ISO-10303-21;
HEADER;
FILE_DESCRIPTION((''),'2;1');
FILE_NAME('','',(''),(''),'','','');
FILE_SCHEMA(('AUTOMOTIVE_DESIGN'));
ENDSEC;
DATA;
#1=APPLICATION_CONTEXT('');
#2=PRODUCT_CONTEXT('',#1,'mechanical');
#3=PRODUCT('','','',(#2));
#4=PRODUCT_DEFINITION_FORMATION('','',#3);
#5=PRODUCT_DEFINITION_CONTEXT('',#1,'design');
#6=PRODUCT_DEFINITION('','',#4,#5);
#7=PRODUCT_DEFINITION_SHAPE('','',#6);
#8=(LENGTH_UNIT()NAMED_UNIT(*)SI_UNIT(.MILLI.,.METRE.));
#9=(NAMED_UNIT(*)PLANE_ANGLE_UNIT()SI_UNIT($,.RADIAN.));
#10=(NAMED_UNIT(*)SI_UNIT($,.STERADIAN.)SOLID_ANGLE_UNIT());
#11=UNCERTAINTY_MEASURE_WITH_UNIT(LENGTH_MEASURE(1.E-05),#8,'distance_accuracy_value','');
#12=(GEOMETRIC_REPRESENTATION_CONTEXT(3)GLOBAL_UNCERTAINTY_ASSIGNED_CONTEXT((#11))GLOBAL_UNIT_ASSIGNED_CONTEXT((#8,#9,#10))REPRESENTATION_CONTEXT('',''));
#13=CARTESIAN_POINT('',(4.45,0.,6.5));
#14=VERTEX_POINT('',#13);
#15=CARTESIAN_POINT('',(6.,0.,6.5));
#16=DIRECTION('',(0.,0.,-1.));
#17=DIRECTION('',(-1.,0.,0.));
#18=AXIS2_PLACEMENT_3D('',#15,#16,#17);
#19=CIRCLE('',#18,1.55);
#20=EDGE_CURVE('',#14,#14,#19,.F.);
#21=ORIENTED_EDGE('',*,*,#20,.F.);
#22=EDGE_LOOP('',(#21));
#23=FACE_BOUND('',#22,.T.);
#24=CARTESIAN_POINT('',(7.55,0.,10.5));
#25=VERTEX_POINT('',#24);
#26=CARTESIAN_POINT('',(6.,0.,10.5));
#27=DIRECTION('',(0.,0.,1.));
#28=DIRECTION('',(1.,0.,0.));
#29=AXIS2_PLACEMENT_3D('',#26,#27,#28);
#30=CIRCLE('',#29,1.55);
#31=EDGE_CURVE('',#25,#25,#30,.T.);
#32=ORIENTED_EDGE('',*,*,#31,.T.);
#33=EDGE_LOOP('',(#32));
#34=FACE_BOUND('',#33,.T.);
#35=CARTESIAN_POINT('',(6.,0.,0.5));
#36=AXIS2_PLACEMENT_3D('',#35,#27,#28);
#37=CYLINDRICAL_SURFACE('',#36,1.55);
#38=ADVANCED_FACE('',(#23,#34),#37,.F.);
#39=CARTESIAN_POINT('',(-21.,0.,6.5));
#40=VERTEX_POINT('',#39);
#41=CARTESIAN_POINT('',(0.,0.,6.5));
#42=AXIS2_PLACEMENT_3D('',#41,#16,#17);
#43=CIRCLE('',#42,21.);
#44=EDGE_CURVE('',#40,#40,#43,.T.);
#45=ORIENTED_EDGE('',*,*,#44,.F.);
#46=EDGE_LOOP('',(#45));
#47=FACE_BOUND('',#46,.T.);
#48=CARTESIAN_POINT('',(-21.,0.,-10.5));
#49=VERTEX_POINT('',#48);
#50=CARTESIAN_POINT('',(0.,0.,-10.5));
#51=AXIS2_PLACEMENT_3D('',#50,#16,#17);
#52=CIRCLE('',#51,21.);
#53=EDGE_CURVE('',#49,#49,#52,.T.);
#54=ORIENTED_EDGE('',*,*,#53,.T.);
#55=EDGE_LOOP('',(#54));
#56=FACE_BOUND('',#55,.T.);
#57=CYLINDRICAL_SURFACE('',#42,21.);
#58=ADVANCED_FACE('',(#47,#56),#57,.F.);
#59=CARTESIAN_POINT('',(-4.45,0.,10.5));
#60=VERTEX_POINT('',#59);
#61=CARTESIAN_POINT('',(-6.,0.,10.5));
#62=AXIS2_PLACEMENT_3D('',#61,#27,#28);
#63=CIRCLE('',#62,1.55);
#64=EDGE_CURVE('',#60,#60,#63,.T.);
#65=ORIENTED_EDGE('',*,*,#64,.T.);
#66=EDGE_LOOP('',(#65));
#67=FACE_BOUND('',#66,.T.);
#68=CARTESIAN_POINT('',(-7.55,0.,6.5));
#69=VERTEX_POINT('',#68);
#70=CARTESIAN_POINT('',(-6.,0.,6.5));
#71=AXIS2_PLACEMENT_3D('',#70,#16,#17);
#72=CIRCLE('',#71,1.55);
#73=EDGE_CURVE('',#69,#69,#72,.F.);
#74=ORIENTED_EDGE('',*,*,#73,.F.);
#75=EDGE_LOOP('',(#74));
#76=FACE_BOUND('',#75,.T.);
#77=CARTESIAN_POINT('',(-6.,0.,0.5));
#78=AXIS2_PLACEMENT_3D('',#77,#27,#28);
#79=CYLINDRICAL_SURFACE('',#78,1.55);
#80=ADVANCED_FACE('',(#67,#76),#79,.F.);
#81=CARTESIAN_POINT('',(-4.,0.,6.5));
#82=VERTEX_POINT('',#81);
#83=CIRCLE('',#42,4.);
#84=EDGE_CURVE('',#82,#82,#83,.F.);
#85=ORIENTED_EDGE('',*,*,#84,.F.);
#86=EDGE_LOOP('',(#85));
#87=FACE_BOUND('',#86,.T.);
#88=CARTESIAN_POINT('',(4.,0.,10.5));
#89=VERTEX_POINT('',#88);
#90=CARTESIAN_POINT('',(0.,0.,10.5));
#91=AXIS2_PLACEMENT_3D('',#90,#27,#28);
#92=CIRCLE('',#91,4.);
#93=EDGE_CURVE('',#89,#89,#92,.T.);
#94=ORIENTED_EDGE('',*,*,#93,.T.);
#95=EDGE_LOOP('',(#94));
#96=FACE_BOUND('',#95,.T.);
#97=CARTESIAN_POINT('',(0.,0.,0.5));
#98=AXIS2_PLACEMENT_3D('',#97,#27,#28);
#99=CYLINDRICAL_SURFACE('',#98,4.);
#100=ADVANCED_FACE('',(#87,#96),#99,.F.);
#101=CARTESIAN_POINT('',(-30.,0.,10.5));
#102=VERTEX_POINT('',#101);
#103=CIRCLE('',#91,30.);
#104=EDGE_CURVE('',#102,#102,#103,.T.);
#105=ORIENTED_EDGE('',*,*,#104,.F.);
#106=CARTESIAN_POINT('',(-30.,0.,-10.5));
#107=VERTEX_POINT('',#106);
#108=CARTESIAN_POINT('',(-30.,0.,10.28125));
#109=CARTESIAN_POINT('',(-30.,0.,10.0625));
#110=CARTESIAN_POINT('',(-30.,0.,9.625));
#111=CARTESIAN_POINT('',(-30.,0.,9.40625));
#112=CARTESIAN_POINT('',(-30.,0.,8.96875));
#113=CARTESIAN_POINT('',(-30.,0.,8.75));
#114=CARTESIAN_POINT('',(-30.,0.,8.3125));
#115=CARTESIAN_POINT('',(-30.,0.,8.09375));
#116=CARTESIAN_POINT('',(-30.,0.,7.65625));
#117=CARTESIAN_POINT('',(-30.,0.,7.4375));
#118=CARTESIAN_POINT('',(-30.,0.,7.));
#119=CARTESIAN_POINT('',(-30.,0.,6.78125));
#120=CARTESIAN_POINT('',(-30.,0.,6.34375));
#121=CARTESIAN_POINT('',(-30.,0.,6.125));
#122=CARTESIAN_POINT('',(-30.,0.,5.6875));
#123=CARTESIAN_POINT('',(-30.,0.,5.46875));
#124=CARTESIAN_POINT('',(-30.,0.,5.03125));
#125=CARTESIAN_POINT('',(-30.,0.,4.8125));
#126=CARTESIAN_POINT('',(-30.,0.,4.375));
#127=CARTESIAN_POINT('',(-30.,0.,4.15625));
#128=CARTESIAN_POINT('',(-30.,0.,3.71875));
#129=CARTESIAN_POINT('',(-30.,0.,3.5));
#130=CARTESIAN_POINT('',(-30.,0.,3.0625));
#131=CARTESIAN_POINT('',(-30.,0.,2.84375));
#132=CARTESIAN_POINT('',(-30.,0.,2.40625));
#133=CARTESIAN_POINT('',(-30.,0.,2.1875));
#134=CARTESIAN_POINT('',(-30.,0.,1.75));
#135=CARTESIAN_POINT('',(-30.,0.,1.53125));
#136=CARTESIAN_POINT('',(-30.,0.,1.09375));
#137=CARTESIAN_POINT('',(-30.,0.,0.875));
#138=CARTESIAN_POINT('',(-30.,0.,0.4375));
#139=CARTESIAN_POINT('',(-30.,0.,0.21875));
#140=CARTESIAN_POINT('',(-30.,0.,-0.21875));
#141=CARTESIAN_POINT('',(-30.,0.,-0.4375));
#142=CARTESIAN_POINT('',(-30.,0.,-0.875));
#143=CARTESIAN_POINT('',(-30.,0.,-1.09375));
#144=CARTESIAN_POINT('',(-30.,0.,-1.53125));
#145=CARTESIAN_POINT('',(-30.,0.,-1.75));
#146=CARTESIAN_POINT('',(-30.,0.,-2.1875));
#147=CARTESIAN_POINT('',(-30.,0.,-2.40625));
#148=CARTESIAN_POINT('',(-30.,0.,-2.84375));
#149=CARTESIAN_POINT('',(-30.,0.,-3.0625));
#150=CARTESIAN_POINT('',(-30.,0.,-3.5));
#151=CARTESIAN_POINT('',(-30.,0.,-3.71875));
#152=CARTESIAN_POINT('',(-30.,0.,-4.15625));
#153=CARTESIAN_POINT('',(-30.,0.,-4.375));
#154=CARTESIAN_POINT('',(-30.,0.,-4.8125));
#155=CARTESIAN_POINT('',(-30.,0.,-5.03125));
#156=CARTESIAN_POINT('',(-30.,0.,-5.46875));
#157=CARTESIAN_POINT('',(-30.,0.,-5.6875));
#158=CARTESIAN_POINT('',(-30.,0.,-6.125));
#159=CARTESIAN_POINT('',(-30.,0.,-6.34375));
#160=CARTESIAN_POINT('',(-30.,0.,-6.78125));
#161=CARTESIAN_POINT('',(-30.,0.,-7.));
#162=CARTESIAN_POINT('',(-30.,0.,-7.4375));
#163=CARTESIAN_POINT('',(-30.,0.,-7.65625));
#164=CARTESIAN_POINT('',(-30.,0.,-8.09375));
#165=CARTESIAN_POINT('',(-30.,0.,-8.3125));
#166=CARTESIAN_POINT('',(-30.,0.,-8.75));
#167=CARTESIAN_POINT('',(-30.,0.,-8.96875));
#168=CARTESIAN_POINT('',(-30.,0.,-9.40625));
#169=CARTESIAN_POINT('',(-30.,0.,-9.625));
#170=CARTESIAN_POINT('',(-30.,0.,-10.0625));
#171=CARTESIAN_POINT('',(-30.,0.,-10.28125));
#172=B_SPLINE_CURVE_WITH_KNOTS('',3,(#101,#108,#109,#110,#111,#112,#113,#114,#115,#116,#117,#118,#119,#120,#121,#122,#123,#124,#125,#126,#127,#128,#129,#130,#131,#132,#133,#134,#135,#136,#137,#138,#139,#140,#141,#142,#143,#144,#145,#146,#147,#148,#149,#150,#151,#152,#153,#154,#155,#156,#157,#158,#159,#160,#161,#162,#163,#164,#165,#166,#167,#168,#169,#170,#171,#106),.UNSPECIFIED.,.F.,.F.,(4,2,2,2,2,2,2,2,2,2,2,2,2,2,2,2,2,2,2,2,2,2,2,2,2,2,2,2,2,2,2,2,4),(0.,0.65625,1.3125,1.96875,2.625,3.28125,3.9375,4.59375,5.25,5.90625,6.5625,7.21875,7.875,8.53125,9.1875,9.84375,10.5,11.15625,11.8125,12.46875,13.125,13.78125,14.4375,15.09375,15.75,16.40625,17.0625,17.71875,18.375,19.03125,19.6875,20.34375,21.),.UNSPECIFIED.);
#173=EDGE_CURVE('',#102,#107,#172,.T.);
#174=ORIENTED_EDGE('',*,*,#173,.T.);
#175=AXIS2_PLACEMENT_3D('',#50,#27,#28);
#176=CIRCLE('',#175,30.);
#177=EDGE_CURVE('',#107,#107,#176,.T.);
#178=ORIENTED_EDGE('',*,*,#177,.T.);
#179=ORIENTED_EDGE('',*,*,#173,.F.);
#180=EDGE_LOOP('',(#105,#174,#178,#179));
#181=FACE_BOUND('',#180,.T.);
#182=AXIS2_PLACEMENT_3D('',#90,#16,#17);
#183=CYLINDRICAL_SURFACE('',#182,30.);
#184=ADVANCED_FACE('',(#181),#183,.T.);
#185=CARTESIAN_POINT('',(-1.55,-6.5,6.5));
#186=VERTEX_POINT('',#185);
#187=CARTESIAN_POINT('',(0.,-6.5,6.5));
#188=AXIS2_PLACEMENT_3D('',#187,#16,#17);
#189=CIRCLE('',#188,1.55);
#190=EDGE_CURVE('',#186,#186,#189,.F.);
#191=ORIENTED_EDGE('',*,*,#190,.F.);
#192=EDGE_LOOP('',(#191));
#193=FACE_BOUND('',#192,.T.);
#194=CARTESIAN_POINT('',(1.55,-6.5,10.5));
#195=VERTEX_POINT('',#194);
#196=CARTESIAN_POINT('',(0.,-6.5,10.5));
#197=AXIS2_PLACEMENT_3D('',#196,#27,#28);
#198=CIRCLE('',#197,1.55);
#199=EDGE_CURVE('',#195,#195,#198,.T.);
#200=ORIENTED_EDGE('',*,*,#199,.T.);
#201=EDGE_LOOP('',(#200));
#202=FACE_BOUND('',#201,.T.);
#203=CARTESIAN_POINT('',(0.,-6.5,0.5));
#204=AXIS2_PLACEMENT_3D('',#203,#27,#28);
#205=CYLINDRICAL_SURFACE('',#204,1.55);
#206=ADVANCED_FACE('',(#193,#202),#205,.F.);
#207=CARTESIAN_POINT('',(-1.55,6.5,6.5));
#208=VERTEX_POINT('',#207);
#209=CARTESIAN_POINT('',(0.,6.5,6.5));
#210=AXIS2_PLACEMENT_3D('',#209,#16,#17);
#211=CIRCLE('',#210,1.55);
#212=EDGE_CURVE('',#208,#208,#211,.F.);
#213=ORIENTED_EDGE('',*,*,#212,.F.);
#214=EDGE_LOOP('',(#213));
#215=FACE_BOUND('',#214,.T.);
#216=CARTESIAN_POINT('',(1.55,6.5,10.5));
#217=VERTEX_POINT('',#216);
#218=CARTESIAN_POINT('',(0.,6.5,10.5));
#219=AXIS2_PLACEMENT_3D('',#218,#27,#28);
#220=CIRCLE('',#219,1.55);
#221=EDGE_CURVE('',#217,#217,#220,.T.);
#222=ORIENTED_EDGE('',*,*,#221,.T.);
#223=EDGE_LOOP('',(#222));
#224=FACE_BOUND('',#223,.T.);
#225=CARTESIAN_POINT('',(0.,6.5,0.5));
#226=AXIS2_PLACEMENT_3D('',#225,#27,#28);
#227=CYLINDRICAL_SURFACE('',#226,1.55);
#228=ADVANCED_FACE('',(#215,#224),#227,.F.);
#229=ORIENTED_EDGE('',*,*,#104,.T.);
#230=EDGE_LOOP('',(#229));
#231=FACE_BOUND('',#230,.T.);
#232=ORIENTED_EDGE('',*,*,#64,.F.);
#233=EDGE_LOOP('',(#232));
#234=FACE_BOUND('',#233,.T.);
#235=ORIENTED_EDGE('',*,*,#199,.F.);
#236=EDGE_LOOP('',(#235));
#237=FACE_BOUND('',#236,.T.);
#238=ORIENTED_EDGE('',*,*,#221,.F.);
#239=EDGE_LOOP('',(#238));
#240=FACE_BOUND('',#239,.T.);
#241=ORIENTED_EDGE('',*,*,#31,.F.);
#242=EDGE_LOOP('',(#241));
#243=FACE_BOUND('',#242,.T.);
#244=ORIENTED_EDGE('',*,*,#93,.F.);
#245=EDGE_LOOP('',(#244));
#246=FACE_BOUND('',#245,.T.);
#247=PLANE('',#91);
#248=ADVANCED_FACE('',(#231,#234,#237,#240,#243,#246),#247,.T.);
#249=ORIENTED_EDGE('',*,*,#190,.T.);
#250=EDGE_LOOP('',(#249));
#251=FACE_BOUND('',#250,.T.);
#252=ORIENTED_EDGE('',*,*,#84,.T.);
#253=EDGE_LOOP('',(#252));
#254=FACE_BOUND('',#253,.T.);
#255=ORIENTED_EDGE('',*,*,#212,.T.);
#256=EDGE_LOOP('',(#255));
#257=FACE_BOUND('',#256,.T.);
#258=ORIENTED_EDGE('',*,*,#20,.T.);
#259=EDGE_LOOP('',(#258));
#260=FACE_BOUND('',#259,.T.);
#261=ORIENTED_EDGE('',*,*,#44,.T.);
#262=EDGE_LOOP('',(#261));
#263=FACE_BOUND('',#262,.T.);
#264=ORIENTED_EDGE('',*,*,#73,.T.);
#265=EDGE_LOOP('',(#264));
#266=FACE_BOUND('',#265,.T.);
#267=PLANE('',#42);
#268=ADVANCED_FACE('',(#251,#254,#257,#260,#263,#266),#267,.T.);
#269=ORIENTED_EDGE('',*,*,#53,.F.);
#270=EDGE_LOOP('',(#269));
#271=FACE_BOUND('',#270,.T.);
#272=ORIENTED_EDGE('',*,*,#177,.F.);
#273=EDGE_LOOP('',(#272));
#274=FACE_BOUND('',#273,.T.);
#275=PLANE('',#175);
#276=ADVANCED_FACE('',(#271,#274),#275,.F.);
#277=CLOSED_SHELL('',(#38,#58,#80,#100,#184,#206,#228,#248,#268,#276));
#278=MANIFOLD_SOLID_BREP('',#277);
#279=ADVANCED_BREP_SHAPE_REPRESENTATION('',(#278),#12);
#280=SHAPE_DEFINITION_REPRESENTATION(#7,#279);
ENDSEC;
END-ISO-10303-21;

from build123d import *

# Parameters (mm, degrees)
SKETCH1_R           = 30
BOSS_EXTRUDE1_DEPTH = 10.5
SKETCH2_R           = 1.55
SKETCH2_R_2         = 4
CUT_EXTRUDE1_DEPTH  = 10
SKETCH3_R           = 21
CUT_EXTRUDE2_DEPTH  = 17


with BuildPart() as part:
    # Sketch1 → Boss-Extrude1 (new, symmetric)
    with BuildSketch(Plane.XY):
        with Locations(Location((0, 0, 0), (0, 0, 180))):
            Circle(SKETCH1_R)
    extrude(amount=BOSS_EXTRUDE1_DEPTH, both=True)

    # Sketch2 → Cut-Extrude1 (cut)
    with BuildSketch(Plane.XY.offset(10.5)):
        with Locations((-6, 0)):
            Circle(SKETCH2_R)
        with Locations((0, 6.5)):
            Circle(SKETCH2_R)
        with Locations((6, 0)):
            Circle(SKETCH2_R)
        with Locations((0, -6.5)):
            Circle(SKETCH2_R)
        Circle(SKETCH2_R_2)
    extrude(amount=-CUT_EXTRUDE1_DEPTH, mode=Mode.SUBTRACT)

    # Sketch3 → Cut-Extrude2 (cut)
    with BuildSketch(Plane(origin=(0, 0, -10.5), x_dir=(-1, 0, 0), z_dir=(0, 0, -1))):
        Circle(SKETCH3_R)
    extrude(amount=-CUT_EXTRUDE2_DEPTH, mode=Mode.SUBTRACT)


solid = part.part
